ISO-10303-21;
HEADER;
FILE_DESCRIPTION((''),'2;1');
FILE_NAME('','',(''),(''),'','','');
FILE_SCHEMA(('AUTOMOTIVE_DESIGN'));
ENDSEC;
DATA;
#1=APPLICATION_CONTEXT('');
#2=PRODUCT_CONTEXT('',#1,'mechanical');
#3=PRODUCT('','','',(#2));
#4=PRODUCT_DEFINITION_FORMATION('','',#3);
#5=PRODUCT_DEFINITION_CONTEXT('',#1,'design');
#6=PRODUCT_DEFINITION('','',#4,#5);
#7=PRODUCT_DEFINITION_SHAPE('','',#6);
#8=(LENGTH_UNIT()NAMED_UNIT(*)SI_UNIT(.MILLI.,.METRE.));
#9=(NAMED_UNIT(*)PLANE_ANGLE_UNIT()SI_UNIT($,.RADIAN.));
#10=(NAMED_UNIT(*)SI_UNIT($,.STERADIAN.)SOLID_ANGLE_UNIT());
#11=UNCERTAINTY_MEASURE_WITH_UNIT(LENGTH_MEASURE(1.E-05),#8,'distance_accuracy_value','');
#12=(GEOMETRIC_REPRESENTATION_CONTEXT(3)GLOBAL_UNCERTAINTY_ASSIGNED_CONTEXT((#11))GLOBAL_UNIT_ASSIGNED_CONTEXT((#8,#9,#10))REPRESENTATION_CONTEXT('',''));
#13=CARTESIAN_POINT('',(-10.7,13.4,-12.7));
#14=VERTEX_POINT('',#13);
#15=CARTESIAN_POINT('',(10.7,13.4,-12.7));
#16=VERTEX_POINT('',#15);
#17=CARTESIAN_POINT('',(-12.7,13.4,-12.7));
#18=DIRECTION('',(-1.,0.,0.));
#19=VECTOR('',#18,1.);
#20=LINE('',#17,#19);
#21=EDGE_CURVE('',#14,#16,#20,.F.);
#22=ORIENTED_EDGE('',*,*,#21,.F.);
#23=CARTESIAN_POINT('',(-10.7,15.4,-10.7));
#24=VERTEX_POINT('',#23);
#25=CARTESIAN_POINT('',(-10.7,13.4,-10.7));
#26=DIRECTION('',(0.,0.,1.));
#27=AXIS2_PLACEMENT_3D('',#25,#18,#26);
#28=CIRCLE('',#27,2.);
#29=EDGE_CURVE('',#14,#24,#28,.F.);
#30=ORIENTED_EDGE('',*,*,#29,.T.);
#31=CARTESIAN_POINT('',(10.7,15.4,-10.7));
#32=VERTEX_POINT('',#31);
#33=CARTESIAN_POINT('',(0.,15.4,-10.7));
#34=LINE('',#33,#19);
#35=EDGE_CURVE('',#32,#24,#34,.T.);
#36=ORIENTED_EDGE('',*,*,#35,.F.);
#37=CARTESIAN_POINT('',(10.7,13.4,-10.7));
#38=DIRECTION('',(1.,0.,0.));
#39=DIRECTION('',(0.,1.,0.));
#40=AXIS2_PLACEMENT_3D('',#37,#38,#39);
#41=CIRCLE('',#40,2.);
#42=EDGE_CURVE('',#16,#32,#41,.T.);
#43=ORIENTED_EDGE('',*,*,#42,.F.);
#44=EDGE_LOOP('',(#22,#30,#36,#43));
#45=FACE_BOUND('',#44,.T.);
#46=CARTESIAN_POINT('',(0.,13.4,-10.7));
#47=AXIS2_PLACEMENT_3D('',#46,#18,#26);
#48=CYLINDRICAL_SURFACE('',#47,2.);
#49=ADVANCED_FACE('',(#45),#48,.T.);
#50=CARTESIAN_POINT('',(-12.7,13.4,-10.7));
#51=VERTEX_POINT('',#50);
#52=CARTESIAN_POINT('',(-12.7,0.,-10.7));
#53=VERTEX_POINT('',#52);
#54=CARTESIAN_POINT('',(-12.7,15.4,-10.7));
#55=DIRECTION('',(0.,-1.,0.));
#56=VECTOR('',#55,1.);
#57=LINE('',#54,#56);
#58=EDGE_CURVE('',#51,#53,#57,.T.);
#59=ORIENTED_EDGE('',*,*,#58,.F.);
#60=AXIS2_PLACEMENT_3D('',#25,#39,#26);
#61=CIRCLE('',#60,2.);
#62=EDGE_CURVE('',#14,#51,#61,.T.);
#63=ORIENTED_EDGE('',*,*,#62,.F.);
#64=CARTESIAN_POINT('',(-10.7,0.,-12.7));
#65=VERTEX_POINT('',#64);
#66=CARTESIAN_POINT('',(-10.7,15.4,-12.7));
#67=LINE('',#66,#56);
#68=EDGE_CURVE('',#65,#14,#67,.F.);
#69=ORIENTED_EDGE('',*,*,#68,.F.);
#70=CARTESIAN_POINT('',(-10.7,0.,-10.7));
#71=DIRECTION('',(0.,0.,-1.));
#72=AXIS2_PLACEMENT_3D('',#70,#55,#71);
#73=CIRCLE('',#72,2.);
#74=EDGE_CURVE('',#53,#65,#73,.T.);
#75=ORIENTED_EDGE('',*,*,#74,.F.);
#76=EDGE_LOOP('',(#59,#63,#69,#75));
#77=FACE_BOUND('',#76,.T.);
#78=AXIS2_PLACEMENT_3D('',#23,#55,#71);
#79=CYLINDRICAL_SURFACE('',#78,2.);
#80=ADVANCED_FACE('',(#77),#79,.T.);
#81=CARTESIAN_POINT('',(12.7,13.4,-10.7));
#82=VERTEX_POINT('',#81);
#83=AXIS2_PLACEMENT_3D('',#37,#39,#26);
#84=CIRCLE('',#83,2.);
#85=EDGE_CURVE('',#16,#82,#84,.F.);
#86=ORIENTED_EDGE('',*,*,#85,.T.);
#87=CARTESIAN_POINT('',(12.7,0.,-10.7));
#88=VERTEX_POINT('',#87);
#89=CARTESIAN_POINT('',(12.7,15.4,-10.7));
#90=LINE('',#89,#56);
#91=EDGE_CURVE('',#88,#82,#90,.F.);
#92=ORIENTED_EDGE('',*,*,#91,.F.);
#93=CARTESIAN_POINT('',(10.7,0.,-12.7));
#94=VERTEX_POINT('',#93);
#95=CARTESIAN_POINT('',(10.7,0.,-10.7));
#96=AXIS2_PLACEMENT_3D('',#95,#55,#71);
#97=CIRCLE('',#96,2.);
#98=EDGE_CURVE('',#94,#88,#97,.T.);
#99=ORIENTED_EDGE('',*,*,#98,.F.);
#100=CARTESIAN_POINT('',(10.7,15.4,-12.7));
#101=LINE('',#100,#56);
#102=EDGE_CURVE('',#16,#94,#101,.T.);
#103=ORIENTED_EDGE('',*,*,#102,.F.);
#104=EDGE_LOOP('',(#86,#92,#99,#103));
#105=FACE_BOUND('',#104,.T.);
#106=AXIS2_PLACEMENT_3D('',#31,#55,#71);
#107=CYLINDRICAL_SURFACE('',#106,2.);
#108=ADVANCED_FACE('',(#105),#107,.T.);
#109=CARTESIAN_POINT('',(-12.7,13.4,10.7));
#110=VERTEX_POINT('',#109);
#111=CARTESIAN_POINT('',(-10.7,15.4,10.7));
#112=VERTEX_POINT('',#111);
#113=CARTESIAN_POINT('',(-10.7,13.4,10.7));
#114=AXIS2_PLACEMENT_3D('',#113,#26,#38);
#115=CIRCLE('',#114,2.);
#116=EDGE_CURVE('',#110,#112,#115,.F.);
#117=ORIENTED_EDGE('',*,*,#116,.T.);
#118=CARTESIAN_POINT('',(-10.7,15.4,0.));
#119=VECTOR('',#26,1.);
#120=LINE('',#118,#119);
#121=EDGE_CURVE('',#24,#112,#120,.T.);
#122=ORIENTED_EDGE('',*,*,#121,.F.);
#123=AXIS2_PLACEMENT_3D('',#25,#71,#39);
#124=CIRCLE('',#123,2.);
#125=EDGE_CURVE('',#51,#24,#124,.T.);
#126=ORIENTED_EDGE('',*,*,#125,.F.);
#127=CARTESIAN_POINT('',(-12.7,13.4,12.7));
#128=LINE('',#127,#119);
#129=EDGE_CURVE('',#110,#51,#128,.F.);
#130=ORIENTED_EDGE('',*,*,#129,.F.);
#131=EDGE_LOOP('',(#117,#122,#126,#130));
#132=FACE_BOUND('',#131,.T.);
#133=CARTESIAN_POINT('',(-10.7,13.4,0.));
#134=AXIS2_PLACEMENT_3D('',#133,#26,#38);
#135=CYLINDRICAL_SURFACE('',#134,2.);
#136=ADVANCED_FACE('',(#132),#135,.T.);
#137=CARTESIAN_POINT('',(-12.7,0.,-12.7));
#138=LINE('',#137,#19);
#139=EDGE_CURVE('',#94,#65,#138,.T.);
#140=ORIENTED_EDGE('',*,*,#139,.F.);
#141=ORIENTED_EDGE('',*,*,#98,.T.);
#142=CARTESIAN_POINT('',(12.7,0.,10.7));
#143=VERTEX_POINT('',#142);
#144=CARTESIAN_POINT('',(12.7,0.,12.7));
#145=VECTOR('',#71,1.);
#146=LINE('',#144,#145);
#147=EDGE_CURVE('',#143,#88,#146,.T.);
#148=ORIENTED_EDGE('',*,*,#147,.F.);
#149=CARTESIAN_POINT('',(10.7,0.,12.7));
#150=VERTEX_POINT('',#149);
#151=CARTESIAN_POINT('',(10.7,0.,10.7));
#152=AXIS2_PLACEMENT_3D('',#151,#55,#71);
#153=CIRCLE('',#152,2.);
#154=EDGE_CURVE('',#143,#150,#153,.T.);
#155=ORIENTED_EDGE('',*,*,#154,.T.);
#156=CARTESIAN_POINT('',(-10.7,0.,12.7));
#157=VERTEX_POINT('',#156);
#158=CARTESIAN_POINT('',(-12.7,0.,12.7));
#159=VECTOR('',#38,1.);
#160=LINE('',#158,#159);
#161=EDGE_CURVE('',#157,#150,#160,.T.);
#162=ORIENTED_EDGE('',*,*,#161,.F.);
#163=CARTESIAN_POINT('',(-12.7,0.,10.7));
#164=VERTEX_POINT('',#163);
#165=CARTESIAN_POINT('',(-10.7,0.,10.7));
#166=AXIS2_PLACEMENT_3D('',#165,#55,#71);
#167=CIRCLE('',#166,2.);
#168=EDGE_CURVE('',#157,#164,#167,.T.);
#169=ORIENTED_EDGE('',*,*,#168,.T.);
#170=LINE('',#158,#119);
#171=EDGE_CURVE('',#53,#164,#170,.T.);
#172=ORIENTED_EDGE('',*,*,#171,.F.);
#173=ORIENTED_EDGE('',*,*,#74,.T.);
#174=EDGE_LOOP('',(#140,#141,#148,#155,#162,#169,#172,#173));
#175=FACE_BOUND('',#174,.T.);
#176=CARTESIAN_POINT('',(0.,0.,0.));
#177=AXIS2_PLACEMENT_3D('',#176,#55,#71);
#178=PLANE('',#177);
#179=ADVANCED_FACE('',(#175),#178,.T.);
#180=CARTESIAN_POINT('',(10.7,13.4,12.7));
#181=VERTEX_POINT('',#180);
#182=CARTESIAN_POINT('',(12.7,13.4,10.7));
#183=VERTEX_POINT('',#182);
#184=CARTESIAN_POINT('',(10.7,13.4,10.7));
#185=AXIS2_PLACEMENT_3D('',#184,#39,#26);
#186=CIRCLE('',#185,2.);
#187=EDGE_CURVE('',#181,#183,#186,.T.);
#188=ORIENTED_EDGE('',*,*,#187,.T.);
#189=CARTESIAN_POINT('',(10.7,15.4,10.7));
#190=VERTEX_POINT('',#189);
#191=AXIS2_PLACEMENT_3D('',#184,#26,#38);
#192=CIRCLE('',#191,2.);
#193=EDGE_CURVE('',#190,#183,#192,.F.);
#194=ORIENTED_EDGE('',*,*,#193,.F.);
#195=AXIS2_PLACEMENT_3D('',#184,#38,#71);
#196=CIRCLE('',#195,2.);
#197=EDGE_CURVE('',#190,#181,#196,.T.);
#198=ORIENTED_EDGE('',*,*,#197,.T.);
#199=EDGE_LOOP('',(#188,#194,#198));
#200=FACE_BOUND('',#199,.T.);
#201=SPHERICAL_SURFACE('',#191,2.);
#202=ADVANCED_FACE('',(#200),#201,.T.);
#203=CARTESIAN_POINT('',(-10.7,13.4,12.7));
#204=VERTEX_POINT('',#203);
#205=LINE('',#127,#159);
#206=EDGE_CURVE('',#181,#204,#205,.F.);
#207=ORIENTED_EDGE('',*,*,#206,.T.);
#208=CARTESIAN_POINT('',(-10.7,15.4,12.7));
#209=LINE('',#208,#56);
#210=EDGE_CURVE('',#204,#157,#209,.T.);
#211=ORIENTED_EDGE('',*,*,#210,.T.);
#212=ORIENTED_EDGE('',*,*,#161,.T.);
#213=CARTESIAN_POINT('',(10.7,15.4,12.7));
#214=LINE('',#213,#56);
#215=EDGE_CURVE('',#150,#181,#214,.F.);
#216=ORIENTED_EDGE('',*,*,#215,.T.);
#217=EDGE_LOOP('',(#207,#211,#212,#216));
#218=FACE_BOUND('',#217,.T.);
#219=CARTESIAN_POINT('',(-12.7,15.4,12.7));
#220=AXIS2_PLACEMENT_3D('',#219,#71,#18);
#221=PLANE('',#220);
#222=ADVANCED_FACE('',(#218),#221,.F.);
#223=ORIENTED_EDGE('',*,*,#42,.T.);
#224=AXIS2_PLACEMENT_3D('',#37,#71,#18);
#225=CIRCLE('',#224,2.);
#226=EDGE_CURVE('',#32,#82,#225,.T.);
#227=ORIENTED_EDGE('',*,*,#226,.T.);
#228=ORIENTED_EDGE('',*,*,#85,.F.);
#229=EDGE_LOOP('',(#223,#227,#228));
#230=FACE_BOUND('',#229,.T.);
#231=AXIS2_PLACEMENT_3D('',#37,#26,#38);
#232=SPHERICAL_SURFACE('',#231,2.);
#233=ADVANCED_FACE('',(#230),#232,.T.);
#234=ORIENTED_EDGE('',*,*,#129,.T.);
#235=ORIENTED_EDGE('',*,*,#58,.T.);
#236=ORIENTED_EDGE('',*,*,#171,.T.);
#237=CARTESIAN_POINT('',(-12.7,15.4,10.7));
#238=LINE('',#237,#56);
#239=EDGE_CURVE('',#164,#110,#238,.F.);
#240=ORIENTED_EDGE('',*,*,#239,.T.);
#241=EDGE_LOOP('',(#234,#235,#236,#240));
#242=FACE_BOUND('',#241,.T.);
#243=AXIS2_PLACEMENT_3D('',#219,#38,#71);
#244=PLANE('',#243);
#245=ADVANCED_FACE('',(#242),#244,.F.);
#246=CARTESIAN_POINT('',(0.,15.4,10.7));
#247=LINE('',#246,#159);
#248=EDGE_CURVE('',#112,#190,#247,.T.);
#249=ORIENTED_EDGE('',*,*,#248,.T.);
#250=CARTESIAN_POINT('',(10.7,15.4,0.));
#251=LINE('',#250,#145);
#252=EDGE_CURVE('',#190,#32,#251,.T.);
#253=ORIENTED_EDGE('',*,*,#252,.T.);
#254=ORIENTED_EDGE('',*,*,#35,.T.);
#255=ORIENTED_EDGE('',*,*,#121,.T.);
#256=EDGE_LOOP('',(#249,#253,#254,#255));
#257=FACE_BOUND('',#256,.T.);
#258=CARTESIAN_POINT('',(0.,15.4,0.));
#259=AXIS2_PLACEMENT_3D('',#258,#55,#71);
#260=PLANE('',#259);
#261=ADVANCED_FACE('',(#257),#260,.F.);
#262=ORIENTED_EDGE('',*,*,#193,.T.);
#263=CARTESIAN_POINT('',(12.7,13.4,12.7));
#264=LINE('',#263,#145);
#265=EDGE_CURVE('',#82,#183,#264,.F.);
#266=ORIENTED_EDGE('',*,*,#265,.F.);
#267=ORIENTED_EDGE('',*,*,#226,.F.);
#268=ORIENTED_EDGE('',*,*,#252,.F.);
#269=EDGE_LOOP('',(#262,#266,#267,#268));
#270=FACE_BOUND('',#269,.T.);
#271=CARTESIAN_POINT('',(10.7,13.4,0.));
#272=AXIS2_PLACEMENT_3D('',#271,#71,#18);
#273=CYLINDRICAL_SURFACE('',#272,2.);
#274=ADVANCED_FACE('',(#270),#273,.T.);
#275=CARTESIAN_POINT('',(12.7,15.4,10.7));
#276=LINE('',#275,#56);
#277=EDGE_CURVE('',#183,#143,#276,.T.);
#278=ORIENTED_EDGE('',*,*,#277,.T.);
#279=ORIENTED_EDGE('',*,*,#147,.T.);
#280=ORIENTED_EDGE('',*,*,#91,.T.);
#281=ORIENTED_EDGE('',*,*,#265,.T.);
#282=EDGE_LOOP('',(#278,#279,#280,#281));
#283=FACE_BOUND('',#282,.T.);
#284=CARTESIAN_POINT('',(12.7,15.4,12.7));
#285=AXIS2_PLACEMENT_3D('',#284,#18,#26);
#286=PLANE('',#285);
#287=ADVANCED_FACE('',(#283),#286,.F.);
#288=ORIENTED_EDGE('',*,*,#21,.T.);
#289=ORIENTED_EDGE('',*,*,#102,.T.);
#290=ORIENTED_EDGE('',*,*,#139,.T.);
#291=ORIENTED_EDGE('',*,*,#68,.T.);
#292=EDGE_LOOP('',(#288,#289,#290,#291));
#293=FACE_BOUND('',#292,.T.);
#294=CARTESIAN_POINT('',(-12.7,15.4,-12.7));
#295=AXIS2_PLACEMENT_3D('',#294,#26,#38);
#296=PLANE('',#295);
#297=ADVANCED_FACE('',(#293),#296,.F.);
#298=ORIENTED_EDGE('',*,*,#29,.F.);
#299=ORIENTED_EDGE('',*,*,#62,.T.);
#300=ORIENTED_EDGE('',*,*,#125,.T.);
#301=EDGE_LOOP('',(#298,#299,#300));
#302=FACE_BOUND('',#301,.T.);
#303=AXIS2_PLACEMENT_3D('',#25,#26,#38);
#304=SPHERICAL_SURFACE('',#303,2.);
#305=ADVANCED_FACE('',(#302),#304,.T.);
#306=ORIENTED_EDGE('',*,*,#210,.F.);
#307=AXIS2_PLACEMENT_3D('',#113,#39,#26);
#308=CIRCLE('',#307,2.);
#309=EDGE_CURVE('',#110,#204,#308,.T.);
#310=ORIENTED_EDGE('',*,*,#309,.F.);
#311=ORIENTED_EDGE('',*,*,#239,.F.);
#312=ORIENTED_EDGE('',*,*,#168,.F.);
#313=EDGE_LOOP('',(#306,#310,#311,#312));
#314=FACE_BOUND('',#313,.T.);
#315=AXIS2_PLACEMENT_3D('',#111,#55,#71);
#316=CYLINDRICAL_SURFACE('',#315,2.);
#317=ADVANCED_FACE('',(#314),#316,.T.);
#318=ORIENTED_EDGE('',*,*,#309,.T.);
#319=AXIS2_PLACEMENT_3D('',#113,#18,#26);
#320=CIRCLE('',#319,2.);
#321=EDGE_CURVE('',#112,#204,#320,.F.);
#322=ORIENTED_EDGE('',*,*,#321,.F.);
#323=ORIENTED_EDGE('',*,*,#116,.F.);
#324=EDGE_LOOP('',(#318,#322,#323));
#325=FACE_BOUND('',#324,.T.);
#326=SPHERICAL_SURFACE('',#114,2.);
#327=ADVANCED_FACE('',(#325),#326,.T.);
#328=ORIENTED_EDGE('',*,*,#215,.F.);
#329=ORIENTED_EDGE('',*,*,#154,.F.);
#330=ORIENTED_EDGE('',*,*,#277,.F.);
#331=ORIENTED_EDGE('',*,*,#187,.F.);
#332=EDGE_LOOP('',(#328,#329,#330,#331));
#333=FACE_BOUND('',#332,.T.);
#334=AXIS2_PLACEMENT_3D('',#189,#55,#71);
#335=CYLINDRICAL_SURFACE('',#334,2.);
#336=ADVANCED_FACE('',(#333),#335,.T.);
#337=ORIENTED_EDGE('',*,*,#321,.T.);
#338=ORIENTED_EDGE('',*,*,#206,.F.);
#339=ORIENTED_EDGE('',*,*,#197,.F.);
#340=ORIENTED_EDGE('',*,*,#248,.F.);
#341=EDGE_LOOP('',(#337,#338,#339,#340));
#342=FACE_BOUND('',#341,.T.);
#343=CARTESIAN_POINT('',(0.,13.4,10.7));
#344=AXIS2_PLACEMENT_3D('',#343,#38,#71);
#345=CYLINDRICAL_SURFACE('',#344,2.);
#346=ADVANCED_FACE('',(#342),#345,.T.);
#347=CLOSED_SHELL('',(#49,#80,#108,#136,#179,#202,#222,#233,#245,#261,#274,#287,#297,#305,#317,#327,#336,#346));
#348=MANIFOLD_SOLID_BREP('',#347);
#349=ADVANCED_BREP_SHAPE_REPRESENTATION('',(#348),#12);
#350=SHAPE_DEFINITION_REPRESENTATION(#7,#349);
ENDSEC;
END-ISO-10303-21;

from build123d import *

# Parameters (mm, degrees)
SKETCH1_W           = 25.4
SKETCH1_H           = 25.4
BOSS_EXTRUDE1_DEPTH = 15.4
FILLET1_R           = 2


with BuildPart() as part:
    # Sketch1 → Boss-Extrude1 (new body)
    with BuildSketch(Plane(origin=(0, 0, 0), x_dir=(1, 0, 0), z_dir=(0, 1, 0))):
        Rectangle(SKETCH1_W, SKETCH1_H)
    extrude(amount=BOSS_EXTRUDE1_DEPTH)

    # Fillet1
    fillet1_edges = [part.edges().sort_by_distance(p)[0] for p in [
        (-12.7, 15.4, 0),
        (0, 15.4, 12.7),
        (12.7, 15.4, 0),
        (0, 15.4, -12.7),
        (12.7, 7.7, 12.7),
        (-12.7, 7.7, 12.7),
        (-12.7, 7.7, -12.7),
        (12.7, 7.7, -12.7),
    ]]
    fillet(fillet1_edges, radius=FILLET1_R)


solid = part.part
